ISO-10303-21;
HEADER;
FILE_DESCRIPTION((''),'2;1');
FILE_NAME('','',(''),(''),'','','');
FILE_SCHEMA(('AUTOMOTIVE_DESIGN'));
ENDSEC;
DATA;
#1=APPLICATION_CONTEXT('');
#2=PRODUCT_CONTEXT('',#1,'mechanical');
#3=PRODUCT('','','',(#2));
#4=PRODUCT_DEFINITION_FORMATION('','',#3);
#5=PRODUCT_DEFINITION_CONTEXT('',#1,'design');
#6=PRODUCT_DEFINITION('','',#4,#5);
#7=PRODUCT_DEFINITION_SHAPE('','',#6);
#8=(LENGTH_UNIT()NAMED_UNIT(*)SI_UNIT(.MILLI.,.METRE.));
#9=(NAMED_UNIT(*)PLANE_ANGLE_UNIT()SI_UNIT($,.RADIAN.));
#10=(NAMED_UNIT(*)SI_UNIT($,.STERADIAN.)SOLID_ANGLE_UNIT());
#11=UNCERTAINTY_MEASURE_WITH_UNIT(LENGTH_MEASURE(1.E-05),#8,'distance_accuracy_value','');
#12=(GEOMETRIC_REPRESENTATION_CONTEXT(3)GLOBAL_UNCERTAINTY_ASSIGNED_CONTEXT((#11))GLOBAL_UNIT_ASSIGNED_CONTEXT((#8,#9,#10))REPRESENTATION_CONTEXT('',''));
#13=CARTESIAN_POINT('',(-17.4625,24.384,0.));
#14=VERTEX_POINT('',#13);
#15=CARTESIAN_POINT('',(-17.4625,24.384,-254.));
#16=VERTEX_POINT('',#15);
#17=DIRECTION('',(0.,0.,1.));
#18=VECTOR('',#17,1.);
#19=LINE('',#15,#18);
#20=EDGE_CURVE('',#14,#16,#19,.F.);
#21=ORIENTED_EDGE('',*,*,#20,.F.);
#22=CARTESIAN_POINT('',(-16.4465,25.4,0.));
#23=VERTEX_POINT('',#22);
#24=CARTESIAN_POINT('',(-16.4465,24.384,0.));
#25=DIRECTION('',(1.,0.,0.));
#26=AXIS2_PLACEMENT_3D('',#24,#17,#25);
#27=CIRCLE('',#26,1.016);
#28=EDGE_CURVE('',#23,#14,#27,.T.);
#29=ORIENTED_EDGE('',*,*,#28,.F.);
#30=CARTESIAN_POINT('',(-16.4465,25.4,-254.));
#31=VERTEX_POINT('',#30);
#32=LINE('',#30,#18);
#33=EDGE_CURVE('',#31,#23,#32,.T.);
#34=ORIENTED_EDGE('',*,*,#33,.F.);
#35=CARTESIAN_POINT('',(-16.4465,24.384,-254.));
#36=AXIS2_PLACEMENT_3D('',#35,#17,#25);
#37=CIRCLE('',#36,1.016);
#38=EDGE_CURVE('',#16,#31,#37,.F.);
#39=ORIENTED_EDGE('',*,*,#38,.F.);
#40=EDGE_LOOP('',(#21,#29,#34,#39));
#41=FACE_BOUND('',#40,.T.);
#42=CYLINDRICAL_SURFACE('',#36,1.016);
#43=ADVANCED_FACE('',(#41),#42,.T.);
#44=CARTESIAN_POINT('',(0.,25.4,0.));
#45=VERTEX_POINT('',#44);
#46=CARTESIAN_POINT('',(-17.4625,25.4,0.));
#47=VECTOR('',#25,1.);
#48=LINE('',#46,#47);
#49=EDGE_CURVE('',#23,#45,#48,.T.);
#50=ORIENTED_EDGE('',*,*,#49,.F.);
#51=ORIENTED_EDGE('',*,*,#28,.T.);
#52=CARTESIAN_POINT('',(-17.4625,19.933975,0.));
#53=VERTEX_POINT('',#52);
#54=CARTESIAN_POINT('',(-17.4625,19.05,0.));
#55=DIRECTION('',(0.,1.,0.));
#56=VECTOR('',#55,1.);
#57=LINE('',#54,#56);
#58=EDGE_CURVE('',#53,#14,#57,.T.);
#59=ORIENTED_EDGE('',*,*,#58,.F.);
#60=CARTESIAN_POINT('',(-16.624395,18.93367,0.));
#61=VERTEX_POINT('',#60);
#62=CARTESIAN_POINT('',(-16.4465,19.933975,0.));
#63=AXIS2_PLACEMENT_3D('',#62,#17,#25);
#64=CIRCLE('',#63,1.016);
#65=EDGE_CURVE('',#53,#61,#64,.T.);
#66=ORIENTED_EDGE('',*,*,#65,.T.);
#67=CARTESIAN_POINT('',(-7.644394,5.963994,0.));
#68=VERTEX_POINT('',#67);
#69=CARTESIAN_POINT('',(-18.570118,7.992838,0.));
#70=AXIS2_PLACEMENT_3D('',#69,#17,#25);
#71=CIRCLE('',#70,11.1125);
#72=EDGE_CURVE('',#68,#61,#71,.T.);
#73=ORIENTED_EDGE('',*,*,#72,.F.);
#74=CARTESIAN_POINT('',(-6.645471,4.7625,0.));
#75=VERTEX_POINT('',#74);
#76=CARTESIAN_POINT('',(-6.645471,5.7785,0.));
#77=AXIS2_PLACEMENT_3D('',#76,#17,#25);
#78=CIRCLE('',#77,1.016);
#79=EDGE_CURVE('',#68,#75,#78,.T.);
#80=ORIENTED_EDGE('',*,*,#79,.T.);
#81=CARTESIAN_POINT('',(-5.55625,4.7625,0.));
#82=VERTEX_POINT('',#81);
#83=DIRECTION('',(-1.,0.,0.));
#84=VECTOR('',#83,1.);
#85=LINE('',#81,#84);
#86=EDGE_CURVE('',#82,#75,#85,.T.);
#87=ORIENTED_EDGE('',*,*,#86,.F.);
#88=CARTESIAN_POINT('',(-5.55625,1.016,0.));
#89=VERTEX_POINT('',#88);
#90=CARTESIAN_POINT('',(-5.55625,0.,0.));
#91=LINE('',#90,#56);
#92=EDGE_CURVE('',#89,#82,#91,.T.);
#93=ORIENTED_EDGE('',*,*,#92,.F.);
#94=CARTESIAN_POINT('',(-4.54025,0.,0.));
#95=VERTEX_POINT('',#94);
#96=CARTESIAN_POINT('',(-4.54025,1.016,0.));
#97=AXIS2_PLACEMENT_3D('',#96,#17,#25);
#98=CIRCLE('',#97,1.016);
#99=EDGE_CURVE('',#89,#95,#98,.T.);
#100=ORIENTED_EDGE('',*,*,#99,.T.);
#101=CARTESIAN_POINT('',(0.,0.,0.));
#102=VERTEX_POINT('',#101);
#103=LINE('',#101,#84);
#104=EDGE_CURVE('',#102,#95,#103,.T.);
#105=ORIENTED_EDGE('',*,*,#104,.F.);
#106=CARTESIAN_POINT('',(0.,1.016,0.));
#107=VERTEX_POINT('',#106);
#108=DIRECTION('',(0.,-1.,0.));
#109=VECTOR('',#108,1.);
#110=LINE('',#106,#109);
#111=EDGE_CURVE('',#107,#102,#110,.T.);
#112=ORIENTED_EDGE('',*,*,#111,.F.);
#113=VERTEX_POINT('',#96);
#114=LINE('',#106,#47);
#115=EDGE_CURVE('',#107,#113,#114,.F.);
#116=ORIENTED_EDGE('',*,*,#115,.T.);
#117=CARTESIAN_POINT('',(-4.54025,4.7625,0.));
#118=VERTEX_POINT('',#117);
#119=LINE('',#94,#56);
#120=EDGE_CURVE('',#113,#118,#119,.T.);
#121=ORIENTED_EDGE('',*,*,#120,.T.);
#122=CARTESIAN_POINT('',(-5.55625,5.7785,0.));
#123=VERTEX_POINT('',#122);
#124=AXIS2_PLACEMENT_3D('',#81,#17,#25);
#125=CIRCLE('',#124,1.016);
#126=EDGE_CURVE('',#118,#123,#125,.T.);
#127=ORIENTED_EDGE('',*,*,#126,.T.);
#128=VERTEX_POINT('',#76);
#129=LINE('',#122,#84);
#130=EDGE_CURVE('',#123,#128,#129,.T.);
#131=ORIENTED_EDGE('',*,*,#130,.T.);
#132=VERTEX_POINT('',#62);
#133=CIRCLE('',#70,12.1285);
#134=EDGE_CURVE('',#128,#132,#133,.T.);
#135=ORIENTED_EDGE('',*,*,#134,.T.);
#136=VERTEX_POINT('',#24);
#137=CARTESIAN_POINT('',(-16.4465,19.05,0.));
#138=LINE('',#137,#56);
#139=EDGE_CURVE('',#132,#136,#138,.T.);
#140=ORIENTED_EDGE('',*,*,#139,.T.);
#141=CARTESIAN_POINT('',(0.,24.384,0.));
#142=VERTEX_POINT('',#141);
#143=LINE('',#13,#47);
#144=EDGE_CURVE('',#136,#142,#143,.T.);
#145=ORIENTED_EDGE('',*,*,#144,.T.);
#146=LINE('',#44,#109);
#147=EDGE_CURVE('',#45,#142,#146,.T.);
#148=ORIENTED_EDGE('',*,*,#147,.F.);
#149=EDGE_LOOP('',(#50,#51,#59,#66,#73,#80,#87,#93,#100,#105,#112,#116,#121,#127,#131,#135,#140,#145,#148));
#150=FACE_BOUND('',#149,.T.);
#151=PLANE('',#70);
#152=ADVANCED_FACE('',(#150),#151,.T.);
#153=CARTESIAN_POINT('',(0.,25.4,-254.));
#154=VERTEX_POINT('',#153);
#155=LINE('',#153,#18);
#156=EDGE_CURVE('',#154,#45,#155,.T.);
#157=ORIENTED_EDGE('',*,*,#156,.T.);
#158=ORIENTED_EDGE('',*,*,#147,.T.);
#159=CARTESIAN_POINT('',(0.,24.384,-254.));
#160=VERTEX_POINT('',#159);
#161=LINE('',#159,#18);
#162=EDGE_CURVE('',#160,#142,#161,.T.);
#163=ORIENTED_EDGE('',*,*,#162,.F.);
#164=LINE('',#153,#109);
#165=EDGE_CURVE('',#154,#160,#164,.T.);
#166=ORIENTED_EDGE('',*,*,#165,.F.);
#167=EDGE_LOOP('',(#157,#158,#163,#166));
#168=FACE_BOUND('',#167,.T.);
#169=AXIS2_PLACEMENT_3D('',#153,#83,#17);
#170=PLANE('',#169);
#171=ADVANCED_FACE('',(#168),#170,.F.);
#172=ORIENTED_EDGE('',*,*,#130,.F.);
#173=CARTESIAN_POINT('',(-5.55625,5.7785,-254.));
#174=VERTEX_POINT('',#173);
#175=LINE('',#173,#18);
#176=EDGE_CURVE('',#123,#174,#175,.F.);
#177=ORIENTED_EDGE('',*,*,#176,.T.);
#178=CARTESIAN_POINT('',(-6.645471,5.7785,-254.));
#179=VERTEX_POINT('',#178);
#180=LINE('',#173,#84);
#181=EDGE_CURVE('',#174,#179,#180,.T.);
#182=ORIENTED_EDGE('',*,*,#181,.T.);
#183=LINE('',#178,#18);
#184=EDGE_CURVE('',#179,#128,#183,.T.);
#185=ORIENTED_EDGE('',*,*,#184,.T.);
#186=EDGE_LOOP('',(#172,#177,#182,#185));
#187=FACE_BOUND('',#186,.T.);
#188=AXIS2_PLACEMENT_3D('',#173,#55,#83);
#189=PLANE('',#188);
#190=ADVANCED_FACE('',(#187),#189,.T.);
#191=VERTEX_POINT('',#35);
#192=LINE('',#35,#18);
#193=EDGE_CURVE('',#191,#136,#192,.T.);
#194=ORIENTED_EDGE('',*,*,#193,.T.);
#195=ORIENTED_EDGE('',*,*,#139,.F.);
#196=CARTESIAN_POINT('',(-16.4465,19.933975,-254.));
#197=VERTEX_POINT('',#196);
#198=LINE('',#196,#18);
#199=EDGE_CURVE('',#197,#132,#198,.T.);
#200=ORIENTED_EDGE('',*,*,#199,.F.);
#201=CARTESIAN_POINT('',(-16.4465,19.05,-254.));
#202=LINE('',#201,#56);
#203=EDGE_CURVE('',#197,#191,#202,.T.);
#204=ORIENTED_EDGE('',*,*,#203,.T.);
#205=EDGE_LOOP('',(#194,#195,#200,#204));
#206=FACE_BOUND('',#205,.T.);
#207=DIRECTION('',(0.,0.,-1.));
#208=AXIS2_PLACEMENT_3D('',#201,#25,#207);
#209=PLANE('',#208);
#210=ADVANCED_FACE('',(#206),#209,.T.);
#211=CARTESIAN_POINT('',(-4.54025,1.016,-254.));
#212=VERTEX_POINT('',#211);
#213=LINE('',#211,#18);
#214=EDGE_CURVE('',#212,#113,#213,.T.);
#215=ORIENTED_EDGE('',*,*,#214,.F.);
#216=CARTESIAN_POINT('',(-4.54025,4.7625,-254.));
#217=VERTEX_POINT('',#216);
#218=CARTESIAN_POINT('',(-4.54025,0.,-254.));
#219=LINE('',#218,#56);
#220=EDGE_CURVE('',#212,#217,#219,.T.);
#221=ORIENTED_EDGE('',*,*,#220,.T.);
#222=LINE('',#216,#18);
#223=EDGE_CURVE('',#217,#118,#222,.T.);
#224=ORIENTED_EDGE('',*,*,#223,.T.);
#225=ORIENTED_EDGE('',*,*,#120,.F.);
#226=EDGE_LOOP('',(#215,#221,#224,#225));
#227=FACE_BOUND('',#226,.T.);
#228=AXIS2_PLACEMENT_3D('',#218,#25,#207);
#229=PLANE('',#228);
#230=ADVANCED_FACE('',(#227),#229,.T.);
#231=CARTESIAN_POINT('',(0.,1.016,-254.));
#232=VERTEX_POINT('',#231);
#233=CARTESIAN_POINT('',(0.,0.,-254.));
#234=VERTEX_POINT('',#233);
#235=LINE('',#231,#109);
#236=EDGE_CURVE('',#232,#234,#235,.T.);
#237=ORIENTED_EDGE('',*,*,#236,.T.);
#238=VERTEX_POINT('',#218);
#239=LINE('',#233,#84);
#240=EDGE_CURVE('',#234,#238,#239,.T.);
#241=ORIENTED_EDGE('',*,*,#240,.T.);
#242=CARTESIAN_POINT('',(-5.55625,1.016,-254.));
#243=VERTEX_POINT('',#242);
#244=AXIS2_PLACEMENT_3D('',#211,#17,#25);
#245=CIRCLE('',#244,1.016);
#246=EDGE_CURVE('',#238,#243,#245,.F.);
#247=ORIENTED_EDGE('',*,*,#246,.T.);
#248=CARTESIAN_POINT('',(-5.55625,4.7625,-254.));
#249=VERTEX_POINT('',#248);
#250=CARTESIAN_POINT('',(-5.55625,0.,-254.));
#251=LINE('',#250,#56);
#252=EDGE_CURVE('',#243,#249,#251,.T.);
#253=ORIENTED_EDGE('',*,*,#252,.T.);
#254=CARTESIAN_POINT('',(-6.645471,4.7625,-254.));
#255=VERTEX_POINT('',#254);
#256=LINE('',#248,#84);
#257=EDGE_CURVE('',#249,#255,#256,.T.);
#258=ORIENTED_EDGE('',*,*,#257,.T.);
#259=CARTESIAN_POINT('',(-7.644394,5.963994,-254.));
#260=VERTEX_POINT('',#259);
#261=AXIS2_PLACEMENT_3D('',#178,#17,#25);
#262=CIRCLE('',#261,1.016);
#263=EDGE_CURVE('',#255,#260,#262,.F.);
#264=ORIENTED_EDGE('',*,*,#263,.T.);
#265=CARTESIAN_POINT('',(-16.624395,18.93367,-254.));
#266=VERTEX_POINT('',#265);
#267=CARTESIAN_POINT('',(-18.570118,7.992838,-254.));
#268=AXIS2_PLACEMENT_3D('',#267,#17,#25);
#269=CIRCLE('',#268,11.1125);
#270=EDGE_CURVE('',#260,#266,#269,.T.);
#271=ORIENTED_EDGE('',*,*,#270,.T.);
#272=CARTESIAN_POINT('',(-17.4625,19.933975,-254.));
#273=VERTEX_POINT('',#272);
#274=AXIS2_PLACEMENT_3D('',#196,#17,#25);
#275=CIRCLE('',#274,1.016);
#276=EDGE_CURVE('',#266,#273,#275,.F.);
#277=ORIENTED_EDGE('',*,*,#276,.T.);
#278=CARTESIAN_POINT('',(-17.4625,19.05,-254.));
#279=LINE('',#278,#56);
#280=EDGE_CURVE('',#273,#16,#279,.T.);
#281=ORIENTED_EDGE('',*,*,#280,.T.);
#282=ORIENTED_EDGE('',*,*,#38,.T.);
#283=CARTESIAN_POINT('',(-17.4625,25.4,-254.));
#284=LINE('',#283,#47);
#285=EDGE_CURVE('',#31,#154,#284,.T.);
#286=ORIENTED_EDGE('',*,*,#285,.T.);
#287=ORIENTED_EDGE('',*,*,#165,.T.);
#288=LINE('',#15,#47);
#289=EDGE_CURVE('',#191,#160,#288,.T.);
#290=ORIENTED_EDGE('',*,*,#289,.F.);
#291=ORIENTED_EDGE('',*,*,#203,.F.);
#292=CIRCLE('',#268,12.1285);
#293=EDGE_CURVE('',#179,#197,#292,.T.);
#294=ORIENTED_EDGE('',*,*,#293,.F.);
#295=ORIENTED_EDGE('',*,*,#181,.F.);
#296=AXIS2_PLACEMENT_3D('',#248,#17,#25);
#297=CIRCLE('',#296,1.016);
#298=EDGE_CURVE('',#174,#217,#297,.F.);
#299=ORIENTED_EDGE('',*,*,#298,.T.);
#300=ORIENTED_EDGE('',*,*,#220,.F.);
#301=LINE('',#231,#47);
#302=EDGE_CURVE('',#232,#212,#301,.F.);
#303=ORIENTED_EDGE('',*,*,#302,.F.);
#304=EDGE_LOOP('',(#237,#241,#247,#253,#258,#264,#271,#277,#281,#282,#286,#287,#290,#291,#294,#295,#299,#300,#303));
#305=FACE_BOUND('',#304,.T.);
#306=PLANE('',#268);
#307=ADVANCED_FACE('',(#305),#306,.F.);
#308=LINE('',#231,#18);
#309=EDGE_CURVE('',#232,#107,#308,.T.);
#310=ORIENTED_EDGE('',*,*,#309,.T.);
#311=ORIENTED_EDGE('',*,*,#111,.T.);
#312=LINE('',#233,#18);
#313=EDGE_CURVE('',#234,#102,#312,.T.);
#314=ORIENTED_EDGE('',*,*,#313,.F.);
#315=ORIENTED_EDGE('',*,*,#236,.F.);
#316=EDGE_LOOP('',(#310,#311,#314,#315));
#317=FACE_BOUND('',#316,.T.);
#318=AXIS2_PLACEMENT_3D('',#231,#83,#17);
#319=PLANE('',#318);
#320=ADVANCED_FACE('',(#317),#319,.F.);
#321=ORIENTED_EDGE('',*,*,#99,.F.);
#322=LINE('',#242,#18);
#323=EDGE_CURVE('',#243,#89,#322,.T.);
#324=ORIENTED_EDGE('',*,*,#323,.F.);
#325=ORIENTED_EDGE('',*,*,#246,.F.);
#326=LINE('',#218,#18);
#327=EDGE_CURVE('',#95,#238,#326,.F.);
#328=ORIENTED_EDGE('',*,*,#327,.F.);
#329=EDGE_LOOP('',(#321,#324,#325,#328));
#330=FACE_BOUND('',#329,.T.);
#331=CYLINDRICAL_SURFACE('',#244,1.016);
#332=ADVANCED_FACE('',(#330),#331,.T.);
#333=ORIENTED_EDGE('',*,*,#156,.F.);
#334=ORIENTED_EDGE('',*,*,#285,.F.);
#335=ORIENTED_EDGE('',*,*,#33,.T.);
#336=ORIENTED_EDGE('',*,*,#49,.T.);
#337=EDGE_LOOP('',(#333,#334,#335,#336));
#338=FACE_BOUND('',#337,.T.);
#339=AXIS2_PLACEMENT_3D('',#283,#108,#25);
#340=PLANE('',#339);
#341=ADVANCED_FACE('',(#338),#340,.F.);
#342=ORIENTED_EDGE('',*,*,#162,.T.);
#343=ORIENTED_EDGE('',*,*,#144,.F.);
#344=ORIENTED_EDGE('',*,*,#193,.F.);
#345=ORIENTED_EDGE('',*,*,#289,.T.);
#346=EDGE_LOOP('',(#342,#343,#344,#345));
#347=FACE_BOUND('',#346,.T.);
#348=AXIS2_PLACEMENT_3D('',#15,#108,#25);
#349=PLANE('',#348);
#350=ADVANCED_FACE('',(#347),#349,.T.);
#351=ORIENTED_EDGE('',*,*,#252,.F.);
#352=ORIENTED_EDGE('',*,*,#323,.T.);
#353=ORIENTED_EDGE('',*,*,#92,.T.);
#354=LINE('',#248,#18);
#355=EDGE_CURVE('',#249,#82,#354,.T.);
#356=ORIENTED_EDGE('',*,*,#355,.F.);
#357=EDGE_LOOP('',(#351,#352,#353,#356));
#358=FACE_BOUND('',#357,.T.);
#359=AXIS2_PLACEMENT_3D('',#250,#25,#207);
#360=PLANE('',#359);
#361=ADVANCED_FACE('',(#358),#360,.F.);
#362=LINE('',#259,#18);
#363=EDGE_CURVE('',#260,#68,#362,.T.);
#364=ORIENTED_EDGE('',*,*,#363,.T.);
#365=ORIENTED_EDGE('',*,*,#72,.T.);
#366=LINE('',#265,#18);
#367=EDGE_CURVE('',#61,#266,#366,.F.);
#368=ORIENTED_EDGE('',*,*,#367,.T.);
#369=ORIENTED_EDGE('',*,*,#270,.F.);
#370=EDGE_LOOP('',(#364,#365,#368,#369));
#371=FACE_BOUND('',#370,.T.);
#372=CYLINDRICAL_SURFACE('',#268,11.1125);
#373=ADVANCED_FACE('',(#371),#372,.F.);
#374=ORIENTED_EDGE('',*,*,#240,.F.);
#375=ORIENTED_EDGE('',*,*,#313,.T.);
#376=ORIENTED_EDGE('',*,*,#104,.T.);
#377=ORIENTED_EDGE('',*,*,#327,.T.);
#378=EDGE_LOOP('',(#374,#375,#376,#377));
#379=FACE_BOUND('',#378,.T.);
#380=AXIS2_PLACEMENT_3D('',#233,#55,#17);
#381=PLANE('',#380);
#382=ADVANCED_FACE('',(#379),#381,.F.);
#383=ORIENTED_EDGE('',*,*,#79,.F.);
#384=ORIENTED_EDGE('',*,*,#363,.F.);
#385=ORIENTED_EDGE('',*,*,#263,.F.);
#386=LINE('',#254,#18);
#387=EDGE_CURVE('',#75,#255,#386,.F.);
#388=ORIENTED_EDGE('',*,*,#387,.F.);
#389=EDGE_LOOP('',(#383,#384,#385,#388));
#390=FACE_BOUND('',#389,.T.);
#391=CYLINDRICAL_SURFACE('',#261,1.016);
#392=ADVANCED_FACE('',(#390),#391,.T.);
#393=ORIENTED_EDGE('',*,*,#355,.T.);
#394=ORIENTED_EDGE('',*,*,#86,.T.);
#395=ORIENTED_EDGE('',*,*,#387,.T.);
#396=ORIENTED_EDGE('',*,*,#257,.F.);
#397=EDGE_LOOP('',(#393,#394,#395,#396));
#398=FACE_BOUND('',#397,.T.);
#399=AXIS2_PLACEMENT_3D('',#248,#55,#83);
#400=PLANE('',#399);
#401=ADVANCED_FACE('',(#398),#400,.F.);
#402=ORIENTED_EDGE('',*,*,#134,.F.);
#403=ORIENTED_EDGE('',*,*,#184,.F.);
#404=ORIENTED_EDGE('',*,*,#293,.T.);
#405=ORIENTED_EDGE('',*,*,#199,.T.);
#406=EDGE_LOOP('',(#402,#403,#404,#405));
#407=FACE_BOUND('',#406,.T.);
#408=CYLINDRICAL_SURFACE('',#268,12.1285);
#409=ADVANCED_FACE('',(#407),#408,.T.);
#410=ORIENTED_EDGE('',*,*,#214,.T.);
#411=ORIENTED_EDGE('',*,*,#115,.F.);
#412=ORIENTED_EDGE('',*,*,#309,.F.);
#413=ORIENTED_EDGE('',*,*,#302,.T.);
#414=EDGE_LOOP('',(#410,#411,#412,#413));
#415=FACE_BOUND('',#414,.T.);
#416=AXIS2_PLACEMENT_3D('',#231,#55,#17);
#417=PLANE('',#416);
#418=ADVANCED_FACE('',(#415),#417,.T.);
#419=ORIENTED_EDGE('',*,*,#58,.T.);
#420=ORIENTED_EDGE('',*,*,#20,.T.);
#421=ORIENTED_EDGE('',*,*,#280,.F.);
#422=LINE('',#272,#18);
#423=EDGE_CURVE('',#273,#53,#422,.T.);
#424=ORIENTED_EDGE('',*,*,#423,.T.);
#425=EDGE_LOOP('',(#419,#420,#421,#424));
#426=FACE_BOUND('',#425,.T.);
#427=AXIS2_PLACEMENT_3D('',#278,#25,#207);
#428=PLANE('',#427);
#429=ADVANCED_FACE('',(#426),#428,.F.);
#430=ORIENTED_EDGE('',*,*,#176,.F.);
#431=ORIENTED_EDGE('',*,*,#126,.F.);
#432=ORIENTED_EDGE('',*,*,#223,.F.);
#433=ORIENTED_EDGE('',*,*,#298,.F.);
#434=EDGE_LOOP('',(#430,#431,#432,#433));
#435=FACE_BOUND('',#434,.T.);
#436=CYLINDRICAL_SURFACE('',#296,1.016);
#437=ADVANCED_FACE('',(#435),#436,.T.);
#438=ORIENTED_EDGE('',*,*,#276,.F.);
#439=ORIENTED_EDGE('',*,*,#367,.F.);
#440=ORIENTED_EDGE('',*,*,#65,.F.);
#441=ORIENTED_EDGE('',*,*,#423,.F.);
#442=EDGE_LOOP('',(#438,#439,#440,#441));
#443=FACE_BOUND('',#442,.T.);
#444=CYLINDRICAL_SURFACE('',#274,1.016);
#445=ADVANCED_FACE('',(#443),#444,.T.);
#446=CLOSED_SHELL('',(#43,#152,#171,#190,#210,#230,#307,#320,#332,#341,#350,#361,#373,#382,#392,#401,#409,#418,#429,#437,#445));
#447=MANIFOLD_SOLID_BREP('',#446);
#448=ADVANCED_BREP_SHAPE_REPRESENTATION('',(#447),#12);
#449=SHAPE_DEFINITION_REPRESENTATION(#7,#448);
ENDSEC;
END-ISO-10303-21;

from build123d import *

# Parameters (mm, degrees)
EXTRUDE_THIN1_DEPTH = 254
FILLET1_R           = 1.016


with BuildPart() as part:
    # Sketch1 → Extrude-Thin1 (new body)
    with BuildSketch(Plane.XY):
        with BuildLine():
            Line((0, 0), (-5.55625, 0))
            Line((-5.55625, 0), (-5.55625, 4.7625))
            Line((-5.55625, 4.7625), (-7.9375, 4.7625))
            ThreePointArc((-7.9375, 4.7625), (-9.323959524, 14.156943651), (-17.4625, 19.05))
            Line((-17.4625, 19.05), (-17.4625, 25.4))
            Line((-17.4625, 25.4), (0, 25.4))
            Line((0, 25.4), (0, 24.384))
            Line((0, 24.384), (-16.4465, 24.384))
            Line((-16.4465, 24.384), (-16.4465, 19.933974896))
            ThreePointArc((-16.4465, 19.933974896), (-8.598518146, 14.89701763), (-6.645470806, 5.7785))
            Line((-6.645470806, 5.7785), (-4.54025, 5.7785))
            Line((-4.54025, 5.7785), (-4.54025, 1.016))
            Line((-4.54025, 1.016), (0, 1.016))
            Line((0, 1.016), (0, 0))
        make_face()
    extrude(amount=-EXTRUDE_THIN1_DEPTH)

    # Fillet1
    fillet1_edges = [part.edges().sort_by_distance(p)[0] for p in [
        (-4.54025, 5.7785, -127),
        (-5.55625, 0, -127),
        (-7.9375, 4.7625, -127),
        (-17.4625, 19.05, -127),
        (-17.4625, 25.4, -127),
    ]]
    fillet(fillet1_edges, radius=FILLET1_R)


solid = part.part
